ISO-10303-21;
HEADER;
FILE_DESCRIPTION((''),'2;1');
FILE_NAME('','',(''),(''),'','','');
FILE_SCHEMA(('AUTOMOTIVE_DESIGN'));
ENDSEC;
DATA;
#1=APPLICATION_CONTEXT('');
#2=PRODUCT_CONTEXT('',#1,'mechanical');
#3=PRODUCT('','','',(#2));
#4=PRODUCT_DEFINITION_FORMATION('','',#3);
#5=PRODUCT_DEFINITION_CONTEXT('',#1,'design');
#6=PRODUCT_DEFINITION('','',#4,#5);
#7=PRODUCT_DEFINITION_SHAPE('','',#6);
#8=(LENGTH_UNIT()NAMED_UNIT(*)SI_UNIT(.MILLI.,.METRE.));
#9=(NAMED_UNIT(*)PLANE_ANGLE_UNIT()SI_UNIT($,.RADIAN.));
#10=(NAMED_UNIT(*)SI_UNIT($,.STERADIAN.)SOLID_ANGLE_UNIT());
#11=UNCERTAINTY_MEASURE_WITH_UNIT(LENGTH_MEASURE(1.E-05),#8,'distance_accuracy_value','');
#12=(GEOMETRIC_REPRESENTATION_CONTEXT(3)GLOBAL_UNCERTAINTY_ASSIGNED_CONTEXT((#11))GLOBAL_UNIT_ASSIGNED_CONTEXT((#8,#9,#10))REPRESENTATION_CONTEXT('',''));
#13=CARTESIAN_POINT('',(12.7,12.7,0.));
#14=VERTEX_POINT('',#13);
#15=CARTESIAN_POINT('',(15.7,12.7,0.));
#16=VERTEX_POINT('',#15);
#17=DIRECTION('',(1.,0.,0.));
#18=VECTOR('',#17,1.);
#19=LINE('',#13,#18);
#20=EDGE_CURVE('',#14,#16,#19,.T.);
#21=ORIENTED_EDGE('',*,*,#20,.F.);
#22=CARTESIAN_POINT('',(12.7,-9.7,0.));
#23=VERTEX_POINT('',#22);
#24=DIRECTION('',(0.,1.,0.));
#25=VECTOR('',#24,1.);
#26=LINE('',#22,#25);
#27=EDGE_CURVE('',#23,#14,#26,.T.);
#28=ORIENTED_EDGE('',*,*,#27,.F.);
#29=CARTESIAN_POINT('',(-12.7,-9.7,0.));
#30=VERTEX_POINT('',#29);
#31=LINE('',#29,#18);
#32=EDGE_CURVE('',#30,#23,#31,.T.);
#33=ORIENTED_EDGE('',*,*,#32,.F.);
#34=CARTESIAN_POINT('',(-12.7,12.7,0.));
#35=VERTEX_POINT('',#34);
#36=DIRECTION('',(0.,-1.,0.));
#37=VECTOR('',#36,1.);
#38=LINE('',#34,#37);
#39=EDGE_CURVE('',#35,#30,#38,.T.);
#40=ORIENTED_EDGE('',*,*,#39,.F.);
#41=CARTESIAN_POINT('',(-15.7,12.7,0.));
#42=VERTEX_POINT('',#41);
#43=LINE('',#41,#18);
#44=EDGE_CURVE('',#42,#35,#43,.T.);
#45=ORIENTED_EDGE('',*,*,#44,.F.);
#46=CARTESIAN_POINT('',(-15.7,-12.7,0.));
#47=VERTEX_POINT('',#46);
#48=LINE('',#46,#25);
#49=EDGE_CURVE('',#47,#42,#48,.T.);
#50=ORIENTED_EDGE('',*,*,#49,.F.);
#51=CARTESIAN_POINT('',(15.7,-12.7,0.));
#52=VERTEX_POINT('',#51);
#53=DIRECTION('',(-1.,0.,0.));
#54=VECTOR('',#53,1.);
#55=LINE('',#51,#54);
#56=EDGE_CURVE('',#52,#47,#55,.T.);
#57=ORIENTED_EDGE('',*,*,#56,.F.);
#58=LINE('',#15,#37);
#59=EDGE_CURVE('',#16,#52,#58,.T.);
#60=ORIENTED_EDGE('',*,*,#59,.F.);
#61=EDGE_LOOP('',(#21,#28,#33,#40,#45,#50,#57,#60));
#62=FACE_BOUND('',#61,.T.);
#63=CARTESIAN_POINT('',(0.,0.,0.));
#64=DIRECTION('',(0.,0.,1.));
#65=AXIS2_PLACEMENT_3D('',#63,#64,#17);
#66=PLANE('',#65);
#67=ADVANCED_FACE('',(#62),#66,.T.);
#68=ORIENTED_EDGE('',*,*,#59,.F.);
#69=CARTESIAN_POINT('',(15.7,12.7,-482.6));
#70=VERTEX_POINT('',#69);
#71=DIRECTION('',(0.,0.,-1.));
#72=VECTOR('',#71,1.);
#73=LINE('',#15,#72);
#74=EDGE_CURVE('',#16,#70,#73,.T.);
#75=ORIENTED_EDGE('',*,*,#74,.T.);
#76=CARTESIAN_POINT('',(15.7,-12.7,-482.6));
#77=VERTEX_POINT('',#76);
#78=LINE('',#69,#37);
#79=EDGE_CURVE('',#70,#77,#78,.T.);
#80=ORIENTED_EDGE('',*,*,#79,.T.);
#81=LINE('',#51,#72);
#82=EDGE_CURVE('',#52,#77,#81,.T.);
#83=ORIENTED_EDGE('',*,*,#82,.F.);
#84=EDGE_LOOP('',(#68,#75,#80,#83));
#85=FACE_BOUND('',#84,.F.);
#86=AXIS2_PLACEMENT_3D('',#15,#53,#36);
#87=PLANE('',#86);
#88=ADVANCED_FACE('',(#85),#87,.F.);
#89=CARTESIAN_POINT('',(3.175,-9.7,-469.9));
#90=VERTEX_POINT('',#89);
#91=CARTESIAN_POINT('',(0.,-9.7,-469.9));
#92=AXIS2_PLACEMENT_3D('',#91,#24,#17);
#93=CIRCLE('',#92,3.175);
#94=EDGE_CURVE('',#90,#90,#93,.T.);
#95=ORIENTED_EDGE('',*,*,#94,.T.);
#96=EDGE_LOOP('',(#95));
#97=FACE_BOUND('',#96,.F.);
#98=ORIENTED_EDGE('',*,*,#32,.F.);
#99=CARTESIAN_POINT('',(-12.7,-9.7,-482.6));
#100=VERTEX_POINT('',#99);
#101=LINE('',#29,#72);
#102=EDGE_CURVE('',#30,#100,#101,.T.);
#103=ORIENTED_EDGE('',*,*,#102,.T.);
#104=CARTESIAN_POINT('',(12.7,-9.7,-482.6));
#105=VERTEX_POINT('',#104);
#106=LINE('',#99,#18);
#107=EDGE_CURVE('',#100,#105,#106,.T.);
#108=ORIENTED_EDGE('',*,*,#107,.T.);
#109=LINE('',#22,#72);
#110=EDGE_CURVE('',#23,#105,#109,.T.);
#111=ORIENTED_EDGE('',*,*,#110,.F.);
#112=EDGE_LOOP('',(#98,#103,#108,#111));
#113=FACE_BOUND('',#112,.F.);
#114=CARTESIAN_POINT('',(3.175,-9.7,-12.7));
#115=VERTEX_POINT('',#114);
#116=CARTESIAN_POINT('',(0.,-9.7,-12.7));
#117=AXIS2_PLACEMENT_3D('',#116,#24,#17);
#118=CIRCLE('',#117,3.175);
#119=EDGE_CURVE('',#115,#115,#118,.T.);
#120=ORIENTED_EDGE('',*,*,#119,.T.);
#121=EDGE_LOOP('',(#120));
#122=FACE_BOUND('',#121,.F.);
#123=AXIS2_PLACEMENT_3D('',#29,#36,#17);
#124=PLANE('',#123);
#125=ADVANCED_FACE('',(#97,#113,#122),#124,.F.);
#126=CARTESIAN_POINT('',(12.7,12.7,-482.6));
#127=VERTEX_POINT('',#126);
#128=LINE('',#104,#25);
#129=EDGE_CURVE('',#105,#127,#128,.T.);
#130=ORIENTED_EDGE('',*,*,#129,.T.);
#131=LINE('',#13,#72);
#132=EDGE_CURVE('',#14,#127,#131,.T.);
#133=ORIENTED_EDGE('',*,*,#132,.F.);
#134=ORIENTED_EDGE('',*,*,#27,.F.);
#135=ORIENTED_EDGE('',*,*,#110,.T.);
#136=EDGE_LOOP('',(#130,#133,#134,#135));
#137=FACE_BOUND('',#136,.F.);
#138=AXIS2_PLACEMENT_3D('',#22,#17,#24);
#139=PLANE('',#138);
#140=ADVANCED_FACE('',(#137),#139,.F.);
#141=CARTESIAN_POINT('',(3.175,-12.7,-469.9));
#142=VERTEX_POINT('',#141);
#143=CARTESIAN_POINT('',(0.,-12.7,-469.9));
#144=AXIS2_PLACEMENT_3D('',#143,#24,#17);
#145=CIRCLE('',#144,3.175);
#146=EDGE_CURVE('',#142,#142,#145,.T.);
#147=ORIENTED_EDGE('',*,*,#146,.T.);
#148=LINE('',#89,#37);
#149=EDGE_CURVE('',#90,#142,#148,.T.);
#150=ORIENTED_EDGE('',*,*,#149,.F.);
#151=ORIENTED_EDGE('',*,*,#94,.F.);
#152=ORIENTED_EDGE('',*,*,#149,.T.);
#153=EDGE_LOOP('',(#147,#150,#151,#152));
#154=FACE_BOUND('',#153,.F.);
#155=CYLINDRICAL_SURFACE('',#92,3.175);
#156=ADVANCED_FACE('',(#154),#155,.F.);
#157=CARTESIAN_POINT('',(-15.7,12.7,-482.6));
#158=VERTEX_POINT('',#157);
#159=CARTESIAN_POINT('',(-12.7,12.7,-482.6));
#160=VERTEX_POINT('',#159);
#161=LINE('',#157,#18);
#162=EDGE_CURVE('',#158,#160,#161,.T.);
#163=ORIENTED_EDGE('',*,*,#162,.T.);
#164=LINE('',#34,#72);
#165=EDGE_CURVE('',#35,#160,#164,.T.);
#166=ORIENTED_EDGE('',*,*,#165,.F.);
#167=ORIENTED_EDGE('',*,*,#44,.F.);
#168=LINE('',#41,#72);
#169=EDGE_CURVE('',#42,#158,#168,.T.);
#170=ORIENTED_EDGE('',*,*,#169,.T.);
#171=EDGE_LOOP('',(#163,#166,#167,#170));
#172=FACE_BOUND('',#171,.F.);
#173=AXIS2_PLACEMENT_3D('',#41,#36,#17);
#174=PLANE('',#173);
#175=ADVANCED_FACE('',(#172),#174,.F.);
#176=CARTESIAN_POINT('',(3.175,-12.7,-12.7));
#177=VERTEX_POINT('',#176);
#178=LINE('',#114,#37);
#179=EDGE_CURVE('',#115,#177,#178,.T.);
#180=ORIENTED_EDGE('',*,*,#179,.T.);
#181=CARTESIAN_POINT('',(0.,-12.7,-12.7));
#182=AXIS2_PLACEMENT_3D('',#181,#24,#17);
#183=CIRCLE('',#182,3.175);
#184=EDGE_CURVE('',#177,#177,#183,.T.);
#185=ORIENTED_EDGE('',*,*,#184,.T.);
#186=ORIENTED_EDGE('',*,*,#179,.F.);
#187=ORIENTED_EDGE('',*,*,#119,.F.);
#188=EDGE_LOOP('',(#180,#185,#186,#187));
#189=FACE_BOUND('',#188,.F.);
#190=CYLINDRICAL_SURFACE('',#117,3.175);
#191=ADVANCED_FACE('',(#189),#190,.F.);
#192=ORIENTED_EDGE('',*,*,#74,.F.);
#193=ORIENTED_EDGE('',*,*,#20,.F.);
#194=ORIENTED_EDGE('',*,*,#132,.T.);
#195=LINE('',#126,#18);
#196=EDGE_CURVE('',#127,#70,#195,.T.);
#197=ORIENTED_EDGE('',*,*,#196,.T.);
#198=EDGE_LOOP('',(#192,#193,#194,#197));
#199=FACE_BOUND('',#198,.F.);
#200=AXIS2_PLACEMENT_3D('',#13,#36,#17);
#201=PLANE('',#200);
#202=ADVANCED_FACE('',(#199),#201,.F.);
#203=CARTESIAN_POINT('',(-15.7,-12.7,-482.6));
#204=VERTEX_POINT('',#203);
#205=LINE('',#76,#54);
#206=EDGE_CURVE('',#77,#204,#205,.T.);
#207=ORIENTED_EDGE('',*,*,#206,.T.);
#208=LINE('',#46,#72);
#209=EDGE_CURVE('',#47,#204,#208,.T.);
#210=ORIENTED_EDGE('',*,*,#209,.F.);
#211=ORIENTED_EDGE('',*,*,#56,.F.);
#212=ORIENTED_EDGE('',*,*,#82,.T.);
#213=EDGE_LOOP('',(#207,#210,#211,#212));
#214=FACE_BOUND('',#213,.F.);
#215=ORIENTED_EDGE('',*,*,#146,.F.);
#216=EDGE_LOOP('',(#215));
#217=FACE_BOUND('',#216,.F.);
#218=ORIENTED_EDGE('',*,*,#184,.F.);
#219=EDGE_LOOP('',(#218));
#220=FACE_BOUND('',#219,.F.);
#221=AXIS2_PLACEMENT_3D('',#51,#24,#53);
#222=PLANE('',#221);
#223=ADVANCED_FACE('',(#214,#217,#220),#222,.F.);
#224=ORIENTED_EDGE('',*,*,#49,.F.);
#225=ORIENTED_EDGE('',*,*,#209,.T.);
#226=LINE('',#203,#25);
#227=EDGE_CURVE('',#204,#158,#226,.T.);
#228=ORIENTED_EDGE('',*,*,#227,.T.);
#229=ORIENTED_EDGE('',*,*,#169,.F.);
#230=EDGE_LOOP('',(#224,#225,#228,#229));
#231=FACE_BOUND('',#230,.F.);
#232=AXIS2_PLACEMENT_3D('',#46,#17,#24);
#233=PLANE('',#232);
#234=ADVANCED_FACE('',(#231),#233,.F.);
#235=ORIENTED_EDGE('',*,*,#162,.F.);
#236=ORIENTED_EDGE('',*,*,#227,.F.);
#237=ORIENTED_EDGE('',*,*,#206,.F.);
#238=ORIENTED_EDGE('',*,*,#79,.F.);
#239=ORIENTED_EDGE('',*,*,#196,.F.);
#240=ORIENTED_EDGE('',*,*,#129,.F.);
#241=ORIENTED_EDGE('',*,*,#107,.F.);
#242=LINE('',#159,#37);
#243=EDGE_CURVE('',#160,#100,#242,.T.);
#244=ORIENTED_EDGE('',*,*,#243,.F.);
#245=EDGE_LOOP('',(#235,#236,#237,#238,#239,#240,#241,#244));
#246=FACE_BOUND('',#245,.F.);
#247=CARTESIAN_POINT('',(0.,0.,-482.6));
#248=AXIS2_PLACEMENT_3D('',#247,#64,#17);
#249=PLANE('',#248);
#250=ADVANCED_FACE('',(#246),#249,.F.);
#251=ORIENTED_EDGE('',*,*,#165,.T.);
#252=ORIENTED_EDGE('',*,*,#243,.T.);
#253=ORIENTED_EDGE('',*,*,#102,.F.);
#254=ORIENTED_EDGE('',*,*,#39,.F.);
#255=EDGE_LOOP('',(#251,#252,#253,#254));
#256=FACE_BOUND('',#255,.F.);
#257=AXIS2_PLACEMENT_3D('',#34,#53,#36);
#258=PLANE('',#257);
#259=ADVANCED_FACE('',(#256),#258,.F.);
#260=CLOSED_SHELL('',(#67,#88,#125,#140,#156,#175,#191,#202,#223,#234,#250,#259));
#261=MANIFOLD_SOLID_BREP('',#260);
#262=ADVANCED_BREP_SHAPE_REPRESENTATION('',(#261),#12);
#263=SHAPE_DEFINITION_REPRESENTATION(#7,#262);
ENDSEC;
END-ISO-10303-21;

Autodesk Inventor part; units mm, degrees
ref_plane "YZ Plane" through (0, 0, 0) normal (1, 0, 0) x (0, 1, 0)
ref_plane "XZ Plane" through (0, 0, 0) normal (0, 1, 0) x (-1, 0, 0)
ref_plane "XY Plane" through (0, 0, 0) normal (0, 0, 1) x (1, 0, 0)
sketch "Sketch1" plane through (0, 0, 0) normal (0, 0, 1) x (1, 0, 0)
  line L0 (-15.7, 12.7) -> (-12.7, 12.7)
  line L1 (-12.7, 12.7) -> (-12.7, -9.7)
  line L2 (-12.7, -9.7) -> (12.7, -9.7)
  line L3 (12.7, -9.7) -> (12.7, 12.7)
  line L4 (12.7, 12.7) -> (15.7, 12.7)
  line L5 (15.7, 12.7) -> (15.7, -12.7)
  line L6 (15.7, -12.7) -> (-15.7, -12.7)
  line L7 (-15.7, -12.7) -> (-15.7, 12.7)
  point P0 (0, 0)
  dimension "d0" = 3
  dimension "d2" = 3
  dimension "d3" = 25.4
  dimension "d4" = 31.4
  dimension "d5" = 15.7
  dimension "d7" = 12.7
  dimension "d8" = 3
extrude "Extrusion1" add sketch "Sketch1" against normal blind 482.6
sketch "Sketch3" plane through (-12.7, -9.7, 0) normal (0, 1, 0) x (1, 0, 0)
  line L0 (0, 0) -> (25.4, 0) projected
  line L1 (25.4, 0) -> (25.4, 482.6) projected
  line L2 (0, 482.6) -> (25.4, 482.6) projected
  line L3 (0, 0) -> (0, 482.6) projected
  line L4 (0, 0) -> (0, 25.4) construction
  line L5 (0, 25.4) -> (25.4, 25.4) construction
  line L6 (25.4, 25.4) -> (25.4, 0) construction
  line L7 (25.4, 0) -> (0, 0) construction
  line L8 (12.7, 0) -> (12.7, 25.4) construction
  line L9 (0, 12.7) -> (25.4, 12.7) construction
  line L10 (0, 482.6) -> (25.4, 482.6) construction
  line L11 (25.4, 482.6) -> (25.4, 457.2) construction
  line L12 (25.4, 457.2) -> (0, 457.2) construction
  line L13 (0, 457.2) -> (0, 482.6) construction
  line L14 (12.7, 457.2) -> (12.7, 482.6) construction
  line L15 (0, 469.9) -> (25.4, 469.9) construction
  circle A0 centre (12.7, 469.9) radius 3.175
  circle A1 centre (12.7, 12.7) radius 3.175
  dimension "d15" = 25.4
  dimension "d16" = 25.4
  dimension "d17" = 6.35
  dimension "d18" = 6.35
extrude "Extrusion3" cut sketch "Sketch3" against normal blind 10 contours A0 | A1
equation "\"d2\" = d0"
equation "\"d5\" = 0.5 * d4"
equation "\"d7\" = 0.5 * d3"
equation "\"d8\" = d0"
properties part number "19in c-channel"
